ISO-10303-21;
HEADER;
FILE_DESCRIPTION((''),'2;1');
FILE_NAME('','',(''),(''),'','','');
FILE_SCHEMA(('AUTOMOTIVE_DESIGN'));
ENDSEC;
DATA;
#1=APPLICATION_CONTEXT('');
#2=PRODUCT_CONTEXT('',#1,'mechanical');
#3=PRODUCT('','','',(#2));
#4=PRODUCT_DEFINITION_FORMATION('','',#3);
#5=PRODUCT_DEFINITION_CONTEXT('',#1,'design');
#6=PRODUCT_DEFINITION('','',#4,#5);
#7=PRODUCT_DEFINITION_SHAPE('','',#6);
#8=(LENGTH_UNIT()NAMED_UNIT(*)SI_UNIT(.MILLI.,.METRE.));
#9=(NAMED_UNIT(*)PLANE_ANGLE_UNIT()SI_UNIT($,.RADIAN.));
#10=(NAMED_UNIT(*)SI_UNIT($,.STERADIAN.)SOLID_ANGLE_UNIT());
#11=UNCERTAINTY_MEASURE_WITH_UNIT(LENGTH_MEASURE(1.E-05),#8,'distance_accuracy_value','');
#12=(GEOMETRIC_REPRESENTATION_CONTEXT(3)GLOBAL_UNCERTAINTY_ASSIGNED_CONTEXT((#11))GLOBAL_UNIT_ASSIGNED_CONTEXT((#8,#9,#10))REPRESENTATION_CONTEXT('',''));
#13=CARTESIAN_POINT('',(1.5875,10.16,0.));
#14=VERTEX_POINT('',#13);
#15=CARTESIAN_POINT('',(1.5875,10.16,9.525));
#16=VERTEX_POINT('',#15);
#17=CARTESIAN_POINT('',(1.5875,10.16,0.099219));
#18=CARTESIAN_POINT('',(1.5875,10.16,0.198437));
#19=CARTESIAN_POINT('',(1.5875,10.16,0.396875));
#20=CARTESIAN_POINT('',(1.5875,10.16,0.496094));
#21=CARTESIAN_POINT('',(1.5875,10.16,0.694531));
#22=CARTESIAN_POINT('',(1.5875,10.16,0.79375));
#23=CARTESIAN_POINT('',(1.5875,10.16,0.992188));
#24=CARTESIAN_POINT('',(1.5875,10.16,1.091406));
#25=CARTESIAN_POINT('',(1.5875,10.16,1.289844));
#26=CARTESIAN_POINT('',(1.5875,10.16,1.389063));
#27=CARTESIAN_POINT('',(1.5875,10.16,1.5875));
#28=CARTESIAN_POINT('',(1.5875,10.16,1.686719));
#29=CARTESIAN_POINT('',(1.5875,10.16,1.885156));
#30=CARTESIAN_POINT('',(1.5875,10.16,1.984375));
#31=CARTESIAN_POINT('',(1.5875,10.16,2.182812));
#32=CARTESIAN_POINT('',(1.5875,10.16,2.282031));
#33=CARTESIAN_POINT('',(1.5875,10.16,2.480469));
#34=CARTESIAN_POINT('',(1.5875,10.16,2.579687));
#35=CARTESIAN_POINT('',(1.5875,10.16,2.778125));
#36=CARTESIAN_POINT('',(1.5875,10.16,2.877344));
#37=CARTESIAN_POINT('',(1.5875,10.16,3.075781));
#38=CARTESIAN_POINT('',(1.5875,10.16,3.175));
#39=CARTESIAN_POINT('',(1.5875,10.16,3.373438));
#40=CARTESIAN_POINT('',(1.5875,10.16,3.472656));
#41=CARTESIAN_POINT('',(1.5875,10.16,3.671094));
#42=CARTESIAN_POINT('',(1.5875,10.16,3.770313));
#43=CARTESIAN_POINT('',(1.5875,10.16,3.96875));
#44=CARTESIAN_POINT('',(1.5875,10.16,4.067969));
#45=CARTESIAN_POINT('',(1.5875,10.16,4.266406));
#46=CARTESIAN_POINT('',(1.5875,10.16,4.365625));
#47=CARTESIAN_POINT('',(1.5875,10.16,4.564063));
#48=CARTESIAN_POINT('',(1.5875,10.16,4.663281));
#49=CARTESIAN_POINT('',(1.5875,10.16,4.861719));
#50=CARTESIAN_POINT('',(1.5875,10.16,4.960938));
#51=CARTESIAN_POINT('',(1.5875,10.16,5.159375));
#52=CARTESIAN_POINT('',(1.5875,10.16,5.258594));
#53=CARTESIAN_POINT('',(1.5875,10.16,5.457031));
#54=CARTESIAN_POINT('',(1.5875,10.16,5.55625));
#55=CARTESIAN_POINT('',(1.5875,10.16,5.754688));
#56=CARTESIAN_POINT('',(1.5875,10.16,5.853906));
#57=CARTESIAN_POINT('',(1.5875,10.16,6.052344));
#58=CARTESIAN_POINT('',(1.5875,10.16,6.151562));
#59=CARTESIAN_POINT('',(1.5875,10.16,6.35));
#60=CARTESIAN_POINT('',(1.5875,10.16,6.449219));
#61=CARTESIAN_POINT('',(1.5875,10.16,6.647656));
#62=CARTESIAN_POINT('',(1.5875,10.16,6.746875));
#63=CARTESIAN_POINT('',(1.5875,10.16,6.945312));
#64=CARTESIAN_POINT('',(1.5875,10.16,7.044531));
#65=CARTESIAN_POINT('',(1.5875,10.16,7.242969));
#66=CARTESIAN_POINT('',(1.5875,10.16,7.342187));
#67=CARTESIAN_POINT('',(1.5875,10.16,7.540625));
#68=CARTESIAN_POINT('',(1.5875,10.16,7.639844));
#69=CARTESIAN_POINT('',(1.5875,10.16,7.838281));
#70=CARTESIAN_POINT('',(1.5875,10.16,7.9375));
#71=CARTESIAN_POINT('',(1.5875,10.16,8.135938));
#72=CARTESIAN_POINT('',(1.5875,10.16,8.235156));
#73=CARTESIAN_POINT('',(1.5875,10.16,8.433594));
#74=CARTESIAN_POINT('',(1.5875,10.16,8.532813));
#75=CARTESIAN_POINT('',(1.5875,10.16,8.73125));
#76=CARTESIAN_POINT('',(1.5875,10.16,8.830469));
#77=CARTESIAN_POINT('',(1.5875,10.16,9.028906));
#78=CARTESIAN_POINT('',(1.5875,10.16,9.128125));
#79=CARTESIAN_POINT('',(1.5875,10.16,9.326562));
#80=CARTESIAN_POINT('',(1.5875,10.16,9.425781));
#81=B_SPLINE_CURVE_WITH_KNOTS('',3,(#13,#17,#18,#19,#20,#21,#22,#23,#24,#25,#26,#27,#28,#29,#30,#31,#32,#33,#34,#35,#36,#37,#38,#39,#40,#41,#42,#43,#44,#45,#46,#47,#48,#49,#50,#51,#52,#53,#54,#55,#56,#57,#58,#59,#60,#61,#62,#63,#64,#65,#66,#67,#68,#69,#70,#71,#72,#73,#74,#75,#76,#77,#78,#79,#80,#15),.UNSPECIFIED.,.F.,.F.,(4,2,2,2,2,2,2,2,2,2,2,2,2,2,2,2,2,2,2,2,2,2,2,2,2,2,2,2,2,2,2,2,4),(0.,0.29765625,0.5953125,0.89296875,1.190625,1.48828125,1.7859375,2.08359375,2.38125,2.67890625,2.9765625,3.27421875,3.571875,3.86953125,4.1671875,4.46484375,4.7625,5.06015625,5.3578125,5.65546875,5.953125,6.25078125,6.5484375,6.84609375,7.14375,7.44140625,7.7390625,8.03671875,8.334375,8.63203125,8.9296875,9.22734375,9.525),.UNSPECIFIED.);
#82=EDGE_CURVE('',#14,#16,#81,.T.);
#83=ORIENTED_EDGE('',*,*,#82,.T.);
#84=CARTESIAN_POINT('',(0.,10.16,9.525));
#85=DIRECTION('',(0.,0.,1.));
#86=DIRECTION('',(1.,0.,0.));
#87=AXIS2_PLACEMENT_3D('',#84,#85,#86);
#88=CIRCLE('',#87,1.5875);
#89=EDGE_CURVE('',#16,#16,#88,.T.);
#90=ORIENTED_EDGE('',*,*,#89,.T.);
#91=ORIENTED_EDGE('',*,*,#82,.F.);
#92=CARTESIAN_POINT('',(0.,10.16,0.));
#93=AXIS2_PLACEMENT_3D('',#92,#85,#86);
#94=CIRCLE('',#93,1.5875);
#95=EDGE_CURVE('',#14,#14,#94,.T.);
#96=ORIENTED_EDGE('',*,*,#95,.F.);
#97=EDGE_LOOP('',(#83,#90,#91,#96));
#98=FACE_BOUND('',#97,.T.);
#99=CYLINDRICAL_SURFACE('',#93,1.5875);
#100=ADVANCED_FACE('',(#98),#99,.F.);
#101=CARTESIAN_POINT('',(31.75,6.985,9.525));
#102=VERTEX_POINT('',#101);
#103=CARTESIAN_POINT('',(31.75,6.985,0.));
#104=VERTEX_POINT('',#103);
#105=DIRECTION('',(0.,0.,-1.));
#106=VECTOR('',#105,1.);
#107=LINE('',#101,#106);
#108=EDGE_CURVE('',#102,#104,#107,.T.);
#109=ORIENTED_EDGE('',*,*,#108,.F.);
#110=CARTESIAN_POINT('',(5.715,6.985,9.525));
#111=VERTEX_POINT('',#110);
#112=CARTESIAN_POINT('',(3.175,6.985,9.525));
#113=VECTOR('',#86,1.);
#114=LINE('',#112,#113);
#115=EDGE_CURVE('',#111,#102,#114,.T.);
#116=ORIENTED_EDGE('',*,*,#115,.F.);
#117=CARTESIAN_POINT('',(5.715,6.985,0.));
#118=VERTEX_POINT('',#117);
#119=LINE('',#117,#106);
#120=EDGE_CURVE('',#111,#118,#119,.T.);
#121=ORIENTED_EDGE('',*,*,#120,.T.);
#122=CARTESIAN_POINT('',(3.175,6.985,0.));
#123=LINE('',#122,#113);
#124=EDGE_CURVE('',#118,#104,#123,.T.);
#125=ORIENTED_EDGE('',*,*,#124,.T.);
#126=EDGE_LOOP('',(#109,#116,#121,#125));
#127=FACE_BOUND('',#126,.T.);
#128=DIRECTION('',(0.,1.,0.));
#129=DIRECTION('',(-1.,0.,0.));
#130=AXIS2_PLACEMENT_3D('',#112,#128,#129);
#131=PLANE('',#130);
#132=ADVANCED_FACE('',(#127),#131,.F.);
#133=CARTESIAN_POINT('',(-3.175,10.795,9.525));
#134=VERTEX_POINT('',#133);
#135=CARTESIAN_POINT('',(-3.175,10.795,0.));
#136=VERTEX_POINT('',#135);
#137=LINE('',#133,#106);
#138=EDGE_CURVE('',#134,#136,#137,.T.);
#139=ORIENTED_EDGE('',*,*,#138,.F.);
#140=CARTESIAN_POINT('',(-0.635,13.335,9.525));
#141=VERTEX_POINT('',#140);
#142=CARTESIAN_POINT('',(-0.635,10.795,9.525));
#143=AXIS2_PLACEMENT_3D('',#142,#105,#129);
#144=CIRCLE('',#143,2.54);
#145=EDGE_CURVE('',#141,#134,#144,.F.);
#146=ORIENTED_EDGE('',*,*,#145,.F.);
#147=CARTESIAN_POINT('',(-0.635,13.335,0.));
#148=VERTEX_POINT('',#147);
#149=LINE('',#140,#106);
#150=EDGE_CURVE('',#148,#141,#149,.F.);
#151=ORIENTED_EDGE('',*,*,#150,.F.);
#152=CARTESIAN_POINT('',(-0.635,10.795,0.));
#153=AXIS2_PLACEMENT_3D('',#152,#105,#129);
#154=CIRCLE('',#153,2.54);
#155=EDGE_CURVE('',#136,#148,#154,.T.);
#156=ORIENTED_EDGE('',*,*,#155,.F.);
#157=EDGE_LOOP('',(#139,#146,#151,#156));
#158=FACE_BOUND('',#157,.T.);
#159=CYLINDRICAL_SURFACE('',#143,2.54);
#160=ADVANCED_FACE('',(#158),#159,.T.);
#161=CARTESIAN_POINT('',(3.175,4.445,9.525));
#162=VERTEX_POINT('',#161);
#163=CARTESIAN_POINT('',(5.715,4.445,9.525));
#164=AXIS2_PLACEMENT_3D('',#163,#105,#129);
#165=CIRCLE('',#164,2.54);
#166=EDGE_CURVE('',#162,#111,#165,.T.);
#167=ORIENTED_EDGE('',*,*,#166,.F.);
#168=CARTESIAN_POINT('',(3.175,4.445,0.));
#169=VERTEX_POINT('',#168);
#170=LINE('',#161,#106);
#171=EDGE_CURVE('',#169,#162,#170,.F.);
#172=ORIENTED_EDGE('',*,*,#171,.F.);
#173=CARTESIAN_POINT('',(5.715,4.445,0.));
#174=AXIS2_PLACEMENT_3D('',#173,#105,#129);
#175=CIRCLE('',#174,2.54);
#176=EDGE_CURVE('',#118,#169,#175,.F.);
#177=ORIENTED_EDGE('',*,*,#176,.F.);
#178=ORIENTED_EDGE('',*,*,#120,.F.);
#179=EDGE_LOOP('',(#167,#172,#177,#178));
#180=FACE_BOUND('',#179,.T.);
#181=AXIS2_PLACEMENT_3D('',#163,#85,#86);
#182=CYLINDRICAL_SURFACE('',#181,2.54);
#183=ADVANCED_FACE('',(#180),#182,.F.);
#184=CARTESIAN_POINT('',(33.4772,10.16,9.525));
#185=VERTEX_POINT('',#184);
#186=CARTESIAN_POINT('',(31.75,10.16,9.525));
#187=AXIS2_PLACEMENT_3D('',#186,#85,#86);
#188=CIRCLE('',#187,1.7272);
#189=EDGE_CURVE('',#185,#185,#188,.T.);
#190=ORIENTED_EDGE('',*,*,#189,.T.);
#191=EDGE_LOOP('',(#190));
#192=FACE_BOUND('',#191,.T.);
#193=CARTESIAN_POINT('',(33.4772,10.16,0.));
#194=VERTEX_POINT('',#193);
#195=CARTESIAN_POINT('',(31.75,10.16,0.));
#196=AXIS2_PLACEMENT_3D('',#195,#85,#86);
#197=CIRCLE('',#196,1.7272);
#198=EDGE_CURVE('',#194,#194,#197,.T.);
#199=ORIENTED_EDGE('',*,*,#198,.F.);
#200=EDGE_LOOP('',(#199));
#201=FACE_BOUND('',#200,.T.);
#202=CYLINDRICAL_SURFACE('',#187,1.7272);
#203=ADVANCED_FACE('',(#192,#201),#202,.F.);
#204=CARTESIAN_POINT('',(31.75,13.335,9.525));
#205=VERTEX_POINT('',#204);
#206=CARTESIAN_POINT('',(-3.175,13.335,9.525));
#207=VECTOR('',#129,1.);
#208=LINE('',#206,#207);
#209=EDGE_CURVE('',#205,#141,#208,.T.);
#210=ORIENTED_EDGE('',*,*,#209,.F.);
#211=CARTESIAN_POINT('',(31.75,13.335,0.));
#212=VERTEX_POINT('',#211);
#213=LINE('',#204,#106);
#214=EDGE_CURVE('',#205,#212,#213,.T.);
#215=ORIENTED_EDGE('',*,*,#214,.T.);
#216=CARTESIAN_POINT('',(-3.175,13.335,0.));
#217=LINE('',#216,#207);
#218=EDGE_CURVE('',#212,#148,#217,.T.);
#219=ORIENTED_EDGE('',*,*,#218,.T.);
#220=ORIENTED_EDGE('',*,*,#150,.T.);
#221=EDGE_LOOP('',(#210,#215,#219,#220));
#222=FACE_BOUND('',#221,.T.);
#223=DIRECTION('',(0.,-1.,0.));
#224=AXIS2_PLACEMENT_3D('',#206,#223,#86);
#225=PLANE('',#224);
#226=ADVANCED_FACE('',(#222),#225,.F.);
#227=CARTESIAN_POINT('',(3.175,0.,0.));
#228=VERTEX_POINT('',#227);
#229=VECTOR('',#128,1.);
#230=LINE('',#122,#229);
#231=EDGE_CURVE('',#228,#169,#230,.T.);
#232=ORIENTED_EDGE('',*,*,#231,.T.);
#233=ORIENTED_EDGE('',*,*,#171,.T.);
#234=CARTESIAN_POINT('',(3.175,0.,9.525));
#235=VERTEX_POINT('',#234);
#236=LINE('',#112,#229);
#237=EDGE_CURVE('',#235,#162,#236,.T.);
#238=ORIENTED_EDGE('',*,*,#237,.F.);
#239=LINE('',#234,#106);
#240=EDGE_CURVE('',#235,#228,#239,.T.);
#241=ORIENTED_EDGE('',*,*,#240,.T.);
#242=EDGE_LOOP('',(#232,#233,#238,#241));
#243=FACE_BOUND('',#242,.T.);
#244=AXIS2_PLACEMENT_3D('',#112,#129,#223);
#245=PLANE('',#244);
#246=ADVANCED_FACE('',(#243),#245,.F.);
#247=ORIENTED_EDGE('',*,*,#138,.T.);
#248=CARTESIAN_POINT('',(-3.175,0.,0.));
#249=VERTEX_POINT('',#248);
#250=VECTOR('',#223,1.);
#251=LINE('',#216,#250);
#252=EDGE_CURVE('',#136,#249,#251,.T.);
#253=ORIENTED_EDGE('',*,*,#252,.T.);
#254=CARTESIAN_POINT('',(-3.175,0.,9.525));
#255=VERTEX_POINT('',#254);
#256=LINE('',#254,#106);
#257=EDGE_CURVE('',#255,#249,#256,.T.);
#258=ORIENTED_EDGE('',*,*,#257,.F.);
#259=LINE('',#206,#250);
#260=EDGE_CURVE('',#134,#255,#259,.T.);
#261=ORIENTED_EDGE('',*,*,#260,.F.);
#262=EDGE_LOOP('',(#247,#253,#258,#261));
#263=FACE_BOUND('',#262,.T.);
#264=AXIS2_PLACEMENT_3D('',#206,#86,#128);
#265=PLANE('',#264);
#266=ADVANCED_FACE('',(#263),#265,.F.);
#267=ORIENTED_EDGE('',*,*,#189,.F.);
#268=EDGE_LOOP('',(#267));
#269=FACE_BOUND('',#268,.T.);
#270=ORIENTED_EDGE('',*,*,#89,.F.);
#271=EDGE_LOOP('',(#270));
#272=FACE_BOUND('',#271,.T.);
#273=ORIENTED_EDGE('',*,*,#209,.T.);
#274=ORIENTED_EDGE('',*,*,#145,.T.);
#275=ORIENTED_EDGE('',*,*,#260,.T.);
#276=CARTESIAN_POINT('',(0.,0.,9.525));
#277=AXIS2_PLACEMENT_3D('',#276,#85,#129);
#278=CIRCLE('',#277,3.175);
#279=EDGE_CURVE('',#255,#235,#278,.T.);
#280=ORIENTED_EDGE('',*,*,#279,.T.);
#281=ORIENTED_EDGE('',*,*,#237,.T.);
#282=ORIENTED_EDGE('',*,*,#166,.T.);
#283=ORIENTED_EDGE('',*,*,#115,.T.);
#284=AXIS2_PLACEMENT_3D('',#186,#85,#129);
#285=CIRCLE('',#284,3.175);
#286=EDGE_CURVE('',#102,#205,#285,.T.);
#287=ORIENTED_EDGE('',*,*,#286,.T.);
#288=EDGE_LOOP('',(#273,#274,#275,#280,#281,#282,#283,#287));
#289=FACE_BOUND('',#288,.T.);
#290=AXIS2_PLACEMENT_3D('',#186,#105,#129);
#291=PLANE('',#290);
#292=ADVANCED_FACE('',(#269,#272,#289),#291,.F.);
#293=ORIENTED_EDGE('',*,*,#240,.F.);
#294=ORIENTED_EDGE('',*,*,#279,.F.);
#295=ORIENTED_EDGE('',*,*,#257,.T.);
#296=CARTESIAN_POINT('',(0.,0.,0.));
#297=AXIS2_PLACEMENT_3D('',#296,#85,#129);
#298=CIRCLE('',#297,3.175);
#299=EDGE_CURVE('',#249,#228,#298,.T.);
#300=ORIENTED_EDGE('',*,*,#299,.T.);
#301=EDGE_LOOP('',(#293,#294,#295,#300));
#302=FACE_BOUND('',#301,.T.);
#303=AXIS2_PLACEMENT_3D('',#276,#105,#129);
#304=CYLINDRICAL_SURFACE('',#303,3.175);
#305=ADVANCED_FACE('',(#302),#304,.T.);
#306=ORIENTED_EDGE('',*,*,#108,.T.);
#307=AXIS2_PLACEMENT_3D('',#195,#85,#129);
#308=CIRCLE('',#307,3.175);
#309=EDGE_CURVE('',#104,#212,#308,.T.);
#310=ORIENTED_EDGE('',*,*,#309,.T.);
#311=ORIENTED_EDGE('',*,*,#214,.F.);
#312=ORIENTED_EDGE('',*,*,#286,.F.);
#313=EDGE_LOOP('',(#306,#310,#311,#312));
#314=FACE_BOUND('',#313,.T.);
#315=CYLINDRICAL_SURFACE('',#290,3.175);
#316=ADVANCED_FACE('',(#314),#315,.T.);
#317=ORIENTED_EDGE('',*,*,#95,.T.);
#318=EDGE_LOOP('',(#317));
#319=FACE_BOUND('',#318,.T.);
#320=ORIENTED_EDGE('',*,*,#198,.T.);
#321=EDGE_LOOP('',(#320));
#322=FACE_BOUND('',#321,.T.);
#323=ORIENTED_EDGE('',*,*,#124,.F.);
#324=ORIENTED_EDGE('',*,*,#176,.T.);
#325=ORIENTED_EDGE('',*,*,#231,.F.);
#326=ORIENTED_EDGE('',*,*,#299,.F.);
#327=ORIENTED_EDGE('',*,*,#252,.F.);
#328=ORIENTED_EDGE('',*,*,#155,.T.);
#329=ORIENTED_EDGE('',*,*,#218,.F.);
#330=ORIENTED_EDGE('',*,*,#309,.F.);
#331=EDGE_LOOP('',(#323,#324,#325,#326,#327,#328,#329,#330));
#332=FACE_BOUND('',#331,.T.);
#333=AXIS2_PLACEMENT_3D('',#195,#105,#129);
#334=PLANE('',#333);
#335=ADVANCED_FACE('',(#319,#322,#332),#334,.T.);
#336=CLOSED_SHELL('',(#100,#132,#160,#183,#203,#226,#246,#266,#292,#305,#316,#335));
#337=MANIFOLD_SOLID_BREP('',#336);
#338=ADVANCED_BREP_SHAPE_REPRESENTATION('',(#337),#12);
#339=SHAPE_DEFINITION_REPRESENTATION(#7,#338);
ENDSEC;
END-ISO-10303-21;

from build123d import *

# Parameters (mm, degrees)
BOSS_EXTRUDE1_DEPTH   = 9.525
FILLET1_R             = 2.54
SKETCH5_R             = 1.5875
CUT_EXTRUDE1_DEPTH    = 39.578536455
F_8_32_TAPPED_HOLE1_D = 3.4544


with BuildPart() as part:
    # Sketch1 → Boss-Extrude1 (new body)
    with BuildSketch(Plane.XY):
        with BuildLine():
            Line((3.175, 6.985), (3.175, 0))
            ThreePointArc((3.175, 0), (0, -3.175), (-3.175, 0))
            Line((-3.175, 0), (-3.175, 13.335))
            Line((-3.175, 13.335), (31.75, 13.335))
            ThreePointArc((31.75, 13.335), (34.925, 10.16), (31.75, 6.985))
            Line((31.75, 6.985), (3.175, 6.985))
        make_face()
    extrude(amount=BOSS_EXTRUDE1_DEPTH)

    # Fillet1
    fillet1_edges = [part.edges().sort_by_distance(p)[0] for p in [
        (3.175, 6.985, 4.7625),
        (-3.175, 13.335, 4.7625),
    ]]
    fillet(fillet1_edges, radius=FILLET1_R)

    # Sketch5 → Cut-Extrude1 (cut, through all)
    with BuildSketch(Plane.XY.offset(9.525)):
        with Locations((0, 10.16)):
            Circle(SKETCH5_R)
    extrude(amount=-CUT_EXTRUDE1_DEPTH, mode=Mode.SUBTRACT)

    # #8-32 Tapped Hole1 (through all)
    with Locations(Plane.XY.offset(9.525)):
        with Locations((31.75, 10.16)):
            Hole(F_8_32_TAPPED_HOLE1_D / 2)


solid = part.part
